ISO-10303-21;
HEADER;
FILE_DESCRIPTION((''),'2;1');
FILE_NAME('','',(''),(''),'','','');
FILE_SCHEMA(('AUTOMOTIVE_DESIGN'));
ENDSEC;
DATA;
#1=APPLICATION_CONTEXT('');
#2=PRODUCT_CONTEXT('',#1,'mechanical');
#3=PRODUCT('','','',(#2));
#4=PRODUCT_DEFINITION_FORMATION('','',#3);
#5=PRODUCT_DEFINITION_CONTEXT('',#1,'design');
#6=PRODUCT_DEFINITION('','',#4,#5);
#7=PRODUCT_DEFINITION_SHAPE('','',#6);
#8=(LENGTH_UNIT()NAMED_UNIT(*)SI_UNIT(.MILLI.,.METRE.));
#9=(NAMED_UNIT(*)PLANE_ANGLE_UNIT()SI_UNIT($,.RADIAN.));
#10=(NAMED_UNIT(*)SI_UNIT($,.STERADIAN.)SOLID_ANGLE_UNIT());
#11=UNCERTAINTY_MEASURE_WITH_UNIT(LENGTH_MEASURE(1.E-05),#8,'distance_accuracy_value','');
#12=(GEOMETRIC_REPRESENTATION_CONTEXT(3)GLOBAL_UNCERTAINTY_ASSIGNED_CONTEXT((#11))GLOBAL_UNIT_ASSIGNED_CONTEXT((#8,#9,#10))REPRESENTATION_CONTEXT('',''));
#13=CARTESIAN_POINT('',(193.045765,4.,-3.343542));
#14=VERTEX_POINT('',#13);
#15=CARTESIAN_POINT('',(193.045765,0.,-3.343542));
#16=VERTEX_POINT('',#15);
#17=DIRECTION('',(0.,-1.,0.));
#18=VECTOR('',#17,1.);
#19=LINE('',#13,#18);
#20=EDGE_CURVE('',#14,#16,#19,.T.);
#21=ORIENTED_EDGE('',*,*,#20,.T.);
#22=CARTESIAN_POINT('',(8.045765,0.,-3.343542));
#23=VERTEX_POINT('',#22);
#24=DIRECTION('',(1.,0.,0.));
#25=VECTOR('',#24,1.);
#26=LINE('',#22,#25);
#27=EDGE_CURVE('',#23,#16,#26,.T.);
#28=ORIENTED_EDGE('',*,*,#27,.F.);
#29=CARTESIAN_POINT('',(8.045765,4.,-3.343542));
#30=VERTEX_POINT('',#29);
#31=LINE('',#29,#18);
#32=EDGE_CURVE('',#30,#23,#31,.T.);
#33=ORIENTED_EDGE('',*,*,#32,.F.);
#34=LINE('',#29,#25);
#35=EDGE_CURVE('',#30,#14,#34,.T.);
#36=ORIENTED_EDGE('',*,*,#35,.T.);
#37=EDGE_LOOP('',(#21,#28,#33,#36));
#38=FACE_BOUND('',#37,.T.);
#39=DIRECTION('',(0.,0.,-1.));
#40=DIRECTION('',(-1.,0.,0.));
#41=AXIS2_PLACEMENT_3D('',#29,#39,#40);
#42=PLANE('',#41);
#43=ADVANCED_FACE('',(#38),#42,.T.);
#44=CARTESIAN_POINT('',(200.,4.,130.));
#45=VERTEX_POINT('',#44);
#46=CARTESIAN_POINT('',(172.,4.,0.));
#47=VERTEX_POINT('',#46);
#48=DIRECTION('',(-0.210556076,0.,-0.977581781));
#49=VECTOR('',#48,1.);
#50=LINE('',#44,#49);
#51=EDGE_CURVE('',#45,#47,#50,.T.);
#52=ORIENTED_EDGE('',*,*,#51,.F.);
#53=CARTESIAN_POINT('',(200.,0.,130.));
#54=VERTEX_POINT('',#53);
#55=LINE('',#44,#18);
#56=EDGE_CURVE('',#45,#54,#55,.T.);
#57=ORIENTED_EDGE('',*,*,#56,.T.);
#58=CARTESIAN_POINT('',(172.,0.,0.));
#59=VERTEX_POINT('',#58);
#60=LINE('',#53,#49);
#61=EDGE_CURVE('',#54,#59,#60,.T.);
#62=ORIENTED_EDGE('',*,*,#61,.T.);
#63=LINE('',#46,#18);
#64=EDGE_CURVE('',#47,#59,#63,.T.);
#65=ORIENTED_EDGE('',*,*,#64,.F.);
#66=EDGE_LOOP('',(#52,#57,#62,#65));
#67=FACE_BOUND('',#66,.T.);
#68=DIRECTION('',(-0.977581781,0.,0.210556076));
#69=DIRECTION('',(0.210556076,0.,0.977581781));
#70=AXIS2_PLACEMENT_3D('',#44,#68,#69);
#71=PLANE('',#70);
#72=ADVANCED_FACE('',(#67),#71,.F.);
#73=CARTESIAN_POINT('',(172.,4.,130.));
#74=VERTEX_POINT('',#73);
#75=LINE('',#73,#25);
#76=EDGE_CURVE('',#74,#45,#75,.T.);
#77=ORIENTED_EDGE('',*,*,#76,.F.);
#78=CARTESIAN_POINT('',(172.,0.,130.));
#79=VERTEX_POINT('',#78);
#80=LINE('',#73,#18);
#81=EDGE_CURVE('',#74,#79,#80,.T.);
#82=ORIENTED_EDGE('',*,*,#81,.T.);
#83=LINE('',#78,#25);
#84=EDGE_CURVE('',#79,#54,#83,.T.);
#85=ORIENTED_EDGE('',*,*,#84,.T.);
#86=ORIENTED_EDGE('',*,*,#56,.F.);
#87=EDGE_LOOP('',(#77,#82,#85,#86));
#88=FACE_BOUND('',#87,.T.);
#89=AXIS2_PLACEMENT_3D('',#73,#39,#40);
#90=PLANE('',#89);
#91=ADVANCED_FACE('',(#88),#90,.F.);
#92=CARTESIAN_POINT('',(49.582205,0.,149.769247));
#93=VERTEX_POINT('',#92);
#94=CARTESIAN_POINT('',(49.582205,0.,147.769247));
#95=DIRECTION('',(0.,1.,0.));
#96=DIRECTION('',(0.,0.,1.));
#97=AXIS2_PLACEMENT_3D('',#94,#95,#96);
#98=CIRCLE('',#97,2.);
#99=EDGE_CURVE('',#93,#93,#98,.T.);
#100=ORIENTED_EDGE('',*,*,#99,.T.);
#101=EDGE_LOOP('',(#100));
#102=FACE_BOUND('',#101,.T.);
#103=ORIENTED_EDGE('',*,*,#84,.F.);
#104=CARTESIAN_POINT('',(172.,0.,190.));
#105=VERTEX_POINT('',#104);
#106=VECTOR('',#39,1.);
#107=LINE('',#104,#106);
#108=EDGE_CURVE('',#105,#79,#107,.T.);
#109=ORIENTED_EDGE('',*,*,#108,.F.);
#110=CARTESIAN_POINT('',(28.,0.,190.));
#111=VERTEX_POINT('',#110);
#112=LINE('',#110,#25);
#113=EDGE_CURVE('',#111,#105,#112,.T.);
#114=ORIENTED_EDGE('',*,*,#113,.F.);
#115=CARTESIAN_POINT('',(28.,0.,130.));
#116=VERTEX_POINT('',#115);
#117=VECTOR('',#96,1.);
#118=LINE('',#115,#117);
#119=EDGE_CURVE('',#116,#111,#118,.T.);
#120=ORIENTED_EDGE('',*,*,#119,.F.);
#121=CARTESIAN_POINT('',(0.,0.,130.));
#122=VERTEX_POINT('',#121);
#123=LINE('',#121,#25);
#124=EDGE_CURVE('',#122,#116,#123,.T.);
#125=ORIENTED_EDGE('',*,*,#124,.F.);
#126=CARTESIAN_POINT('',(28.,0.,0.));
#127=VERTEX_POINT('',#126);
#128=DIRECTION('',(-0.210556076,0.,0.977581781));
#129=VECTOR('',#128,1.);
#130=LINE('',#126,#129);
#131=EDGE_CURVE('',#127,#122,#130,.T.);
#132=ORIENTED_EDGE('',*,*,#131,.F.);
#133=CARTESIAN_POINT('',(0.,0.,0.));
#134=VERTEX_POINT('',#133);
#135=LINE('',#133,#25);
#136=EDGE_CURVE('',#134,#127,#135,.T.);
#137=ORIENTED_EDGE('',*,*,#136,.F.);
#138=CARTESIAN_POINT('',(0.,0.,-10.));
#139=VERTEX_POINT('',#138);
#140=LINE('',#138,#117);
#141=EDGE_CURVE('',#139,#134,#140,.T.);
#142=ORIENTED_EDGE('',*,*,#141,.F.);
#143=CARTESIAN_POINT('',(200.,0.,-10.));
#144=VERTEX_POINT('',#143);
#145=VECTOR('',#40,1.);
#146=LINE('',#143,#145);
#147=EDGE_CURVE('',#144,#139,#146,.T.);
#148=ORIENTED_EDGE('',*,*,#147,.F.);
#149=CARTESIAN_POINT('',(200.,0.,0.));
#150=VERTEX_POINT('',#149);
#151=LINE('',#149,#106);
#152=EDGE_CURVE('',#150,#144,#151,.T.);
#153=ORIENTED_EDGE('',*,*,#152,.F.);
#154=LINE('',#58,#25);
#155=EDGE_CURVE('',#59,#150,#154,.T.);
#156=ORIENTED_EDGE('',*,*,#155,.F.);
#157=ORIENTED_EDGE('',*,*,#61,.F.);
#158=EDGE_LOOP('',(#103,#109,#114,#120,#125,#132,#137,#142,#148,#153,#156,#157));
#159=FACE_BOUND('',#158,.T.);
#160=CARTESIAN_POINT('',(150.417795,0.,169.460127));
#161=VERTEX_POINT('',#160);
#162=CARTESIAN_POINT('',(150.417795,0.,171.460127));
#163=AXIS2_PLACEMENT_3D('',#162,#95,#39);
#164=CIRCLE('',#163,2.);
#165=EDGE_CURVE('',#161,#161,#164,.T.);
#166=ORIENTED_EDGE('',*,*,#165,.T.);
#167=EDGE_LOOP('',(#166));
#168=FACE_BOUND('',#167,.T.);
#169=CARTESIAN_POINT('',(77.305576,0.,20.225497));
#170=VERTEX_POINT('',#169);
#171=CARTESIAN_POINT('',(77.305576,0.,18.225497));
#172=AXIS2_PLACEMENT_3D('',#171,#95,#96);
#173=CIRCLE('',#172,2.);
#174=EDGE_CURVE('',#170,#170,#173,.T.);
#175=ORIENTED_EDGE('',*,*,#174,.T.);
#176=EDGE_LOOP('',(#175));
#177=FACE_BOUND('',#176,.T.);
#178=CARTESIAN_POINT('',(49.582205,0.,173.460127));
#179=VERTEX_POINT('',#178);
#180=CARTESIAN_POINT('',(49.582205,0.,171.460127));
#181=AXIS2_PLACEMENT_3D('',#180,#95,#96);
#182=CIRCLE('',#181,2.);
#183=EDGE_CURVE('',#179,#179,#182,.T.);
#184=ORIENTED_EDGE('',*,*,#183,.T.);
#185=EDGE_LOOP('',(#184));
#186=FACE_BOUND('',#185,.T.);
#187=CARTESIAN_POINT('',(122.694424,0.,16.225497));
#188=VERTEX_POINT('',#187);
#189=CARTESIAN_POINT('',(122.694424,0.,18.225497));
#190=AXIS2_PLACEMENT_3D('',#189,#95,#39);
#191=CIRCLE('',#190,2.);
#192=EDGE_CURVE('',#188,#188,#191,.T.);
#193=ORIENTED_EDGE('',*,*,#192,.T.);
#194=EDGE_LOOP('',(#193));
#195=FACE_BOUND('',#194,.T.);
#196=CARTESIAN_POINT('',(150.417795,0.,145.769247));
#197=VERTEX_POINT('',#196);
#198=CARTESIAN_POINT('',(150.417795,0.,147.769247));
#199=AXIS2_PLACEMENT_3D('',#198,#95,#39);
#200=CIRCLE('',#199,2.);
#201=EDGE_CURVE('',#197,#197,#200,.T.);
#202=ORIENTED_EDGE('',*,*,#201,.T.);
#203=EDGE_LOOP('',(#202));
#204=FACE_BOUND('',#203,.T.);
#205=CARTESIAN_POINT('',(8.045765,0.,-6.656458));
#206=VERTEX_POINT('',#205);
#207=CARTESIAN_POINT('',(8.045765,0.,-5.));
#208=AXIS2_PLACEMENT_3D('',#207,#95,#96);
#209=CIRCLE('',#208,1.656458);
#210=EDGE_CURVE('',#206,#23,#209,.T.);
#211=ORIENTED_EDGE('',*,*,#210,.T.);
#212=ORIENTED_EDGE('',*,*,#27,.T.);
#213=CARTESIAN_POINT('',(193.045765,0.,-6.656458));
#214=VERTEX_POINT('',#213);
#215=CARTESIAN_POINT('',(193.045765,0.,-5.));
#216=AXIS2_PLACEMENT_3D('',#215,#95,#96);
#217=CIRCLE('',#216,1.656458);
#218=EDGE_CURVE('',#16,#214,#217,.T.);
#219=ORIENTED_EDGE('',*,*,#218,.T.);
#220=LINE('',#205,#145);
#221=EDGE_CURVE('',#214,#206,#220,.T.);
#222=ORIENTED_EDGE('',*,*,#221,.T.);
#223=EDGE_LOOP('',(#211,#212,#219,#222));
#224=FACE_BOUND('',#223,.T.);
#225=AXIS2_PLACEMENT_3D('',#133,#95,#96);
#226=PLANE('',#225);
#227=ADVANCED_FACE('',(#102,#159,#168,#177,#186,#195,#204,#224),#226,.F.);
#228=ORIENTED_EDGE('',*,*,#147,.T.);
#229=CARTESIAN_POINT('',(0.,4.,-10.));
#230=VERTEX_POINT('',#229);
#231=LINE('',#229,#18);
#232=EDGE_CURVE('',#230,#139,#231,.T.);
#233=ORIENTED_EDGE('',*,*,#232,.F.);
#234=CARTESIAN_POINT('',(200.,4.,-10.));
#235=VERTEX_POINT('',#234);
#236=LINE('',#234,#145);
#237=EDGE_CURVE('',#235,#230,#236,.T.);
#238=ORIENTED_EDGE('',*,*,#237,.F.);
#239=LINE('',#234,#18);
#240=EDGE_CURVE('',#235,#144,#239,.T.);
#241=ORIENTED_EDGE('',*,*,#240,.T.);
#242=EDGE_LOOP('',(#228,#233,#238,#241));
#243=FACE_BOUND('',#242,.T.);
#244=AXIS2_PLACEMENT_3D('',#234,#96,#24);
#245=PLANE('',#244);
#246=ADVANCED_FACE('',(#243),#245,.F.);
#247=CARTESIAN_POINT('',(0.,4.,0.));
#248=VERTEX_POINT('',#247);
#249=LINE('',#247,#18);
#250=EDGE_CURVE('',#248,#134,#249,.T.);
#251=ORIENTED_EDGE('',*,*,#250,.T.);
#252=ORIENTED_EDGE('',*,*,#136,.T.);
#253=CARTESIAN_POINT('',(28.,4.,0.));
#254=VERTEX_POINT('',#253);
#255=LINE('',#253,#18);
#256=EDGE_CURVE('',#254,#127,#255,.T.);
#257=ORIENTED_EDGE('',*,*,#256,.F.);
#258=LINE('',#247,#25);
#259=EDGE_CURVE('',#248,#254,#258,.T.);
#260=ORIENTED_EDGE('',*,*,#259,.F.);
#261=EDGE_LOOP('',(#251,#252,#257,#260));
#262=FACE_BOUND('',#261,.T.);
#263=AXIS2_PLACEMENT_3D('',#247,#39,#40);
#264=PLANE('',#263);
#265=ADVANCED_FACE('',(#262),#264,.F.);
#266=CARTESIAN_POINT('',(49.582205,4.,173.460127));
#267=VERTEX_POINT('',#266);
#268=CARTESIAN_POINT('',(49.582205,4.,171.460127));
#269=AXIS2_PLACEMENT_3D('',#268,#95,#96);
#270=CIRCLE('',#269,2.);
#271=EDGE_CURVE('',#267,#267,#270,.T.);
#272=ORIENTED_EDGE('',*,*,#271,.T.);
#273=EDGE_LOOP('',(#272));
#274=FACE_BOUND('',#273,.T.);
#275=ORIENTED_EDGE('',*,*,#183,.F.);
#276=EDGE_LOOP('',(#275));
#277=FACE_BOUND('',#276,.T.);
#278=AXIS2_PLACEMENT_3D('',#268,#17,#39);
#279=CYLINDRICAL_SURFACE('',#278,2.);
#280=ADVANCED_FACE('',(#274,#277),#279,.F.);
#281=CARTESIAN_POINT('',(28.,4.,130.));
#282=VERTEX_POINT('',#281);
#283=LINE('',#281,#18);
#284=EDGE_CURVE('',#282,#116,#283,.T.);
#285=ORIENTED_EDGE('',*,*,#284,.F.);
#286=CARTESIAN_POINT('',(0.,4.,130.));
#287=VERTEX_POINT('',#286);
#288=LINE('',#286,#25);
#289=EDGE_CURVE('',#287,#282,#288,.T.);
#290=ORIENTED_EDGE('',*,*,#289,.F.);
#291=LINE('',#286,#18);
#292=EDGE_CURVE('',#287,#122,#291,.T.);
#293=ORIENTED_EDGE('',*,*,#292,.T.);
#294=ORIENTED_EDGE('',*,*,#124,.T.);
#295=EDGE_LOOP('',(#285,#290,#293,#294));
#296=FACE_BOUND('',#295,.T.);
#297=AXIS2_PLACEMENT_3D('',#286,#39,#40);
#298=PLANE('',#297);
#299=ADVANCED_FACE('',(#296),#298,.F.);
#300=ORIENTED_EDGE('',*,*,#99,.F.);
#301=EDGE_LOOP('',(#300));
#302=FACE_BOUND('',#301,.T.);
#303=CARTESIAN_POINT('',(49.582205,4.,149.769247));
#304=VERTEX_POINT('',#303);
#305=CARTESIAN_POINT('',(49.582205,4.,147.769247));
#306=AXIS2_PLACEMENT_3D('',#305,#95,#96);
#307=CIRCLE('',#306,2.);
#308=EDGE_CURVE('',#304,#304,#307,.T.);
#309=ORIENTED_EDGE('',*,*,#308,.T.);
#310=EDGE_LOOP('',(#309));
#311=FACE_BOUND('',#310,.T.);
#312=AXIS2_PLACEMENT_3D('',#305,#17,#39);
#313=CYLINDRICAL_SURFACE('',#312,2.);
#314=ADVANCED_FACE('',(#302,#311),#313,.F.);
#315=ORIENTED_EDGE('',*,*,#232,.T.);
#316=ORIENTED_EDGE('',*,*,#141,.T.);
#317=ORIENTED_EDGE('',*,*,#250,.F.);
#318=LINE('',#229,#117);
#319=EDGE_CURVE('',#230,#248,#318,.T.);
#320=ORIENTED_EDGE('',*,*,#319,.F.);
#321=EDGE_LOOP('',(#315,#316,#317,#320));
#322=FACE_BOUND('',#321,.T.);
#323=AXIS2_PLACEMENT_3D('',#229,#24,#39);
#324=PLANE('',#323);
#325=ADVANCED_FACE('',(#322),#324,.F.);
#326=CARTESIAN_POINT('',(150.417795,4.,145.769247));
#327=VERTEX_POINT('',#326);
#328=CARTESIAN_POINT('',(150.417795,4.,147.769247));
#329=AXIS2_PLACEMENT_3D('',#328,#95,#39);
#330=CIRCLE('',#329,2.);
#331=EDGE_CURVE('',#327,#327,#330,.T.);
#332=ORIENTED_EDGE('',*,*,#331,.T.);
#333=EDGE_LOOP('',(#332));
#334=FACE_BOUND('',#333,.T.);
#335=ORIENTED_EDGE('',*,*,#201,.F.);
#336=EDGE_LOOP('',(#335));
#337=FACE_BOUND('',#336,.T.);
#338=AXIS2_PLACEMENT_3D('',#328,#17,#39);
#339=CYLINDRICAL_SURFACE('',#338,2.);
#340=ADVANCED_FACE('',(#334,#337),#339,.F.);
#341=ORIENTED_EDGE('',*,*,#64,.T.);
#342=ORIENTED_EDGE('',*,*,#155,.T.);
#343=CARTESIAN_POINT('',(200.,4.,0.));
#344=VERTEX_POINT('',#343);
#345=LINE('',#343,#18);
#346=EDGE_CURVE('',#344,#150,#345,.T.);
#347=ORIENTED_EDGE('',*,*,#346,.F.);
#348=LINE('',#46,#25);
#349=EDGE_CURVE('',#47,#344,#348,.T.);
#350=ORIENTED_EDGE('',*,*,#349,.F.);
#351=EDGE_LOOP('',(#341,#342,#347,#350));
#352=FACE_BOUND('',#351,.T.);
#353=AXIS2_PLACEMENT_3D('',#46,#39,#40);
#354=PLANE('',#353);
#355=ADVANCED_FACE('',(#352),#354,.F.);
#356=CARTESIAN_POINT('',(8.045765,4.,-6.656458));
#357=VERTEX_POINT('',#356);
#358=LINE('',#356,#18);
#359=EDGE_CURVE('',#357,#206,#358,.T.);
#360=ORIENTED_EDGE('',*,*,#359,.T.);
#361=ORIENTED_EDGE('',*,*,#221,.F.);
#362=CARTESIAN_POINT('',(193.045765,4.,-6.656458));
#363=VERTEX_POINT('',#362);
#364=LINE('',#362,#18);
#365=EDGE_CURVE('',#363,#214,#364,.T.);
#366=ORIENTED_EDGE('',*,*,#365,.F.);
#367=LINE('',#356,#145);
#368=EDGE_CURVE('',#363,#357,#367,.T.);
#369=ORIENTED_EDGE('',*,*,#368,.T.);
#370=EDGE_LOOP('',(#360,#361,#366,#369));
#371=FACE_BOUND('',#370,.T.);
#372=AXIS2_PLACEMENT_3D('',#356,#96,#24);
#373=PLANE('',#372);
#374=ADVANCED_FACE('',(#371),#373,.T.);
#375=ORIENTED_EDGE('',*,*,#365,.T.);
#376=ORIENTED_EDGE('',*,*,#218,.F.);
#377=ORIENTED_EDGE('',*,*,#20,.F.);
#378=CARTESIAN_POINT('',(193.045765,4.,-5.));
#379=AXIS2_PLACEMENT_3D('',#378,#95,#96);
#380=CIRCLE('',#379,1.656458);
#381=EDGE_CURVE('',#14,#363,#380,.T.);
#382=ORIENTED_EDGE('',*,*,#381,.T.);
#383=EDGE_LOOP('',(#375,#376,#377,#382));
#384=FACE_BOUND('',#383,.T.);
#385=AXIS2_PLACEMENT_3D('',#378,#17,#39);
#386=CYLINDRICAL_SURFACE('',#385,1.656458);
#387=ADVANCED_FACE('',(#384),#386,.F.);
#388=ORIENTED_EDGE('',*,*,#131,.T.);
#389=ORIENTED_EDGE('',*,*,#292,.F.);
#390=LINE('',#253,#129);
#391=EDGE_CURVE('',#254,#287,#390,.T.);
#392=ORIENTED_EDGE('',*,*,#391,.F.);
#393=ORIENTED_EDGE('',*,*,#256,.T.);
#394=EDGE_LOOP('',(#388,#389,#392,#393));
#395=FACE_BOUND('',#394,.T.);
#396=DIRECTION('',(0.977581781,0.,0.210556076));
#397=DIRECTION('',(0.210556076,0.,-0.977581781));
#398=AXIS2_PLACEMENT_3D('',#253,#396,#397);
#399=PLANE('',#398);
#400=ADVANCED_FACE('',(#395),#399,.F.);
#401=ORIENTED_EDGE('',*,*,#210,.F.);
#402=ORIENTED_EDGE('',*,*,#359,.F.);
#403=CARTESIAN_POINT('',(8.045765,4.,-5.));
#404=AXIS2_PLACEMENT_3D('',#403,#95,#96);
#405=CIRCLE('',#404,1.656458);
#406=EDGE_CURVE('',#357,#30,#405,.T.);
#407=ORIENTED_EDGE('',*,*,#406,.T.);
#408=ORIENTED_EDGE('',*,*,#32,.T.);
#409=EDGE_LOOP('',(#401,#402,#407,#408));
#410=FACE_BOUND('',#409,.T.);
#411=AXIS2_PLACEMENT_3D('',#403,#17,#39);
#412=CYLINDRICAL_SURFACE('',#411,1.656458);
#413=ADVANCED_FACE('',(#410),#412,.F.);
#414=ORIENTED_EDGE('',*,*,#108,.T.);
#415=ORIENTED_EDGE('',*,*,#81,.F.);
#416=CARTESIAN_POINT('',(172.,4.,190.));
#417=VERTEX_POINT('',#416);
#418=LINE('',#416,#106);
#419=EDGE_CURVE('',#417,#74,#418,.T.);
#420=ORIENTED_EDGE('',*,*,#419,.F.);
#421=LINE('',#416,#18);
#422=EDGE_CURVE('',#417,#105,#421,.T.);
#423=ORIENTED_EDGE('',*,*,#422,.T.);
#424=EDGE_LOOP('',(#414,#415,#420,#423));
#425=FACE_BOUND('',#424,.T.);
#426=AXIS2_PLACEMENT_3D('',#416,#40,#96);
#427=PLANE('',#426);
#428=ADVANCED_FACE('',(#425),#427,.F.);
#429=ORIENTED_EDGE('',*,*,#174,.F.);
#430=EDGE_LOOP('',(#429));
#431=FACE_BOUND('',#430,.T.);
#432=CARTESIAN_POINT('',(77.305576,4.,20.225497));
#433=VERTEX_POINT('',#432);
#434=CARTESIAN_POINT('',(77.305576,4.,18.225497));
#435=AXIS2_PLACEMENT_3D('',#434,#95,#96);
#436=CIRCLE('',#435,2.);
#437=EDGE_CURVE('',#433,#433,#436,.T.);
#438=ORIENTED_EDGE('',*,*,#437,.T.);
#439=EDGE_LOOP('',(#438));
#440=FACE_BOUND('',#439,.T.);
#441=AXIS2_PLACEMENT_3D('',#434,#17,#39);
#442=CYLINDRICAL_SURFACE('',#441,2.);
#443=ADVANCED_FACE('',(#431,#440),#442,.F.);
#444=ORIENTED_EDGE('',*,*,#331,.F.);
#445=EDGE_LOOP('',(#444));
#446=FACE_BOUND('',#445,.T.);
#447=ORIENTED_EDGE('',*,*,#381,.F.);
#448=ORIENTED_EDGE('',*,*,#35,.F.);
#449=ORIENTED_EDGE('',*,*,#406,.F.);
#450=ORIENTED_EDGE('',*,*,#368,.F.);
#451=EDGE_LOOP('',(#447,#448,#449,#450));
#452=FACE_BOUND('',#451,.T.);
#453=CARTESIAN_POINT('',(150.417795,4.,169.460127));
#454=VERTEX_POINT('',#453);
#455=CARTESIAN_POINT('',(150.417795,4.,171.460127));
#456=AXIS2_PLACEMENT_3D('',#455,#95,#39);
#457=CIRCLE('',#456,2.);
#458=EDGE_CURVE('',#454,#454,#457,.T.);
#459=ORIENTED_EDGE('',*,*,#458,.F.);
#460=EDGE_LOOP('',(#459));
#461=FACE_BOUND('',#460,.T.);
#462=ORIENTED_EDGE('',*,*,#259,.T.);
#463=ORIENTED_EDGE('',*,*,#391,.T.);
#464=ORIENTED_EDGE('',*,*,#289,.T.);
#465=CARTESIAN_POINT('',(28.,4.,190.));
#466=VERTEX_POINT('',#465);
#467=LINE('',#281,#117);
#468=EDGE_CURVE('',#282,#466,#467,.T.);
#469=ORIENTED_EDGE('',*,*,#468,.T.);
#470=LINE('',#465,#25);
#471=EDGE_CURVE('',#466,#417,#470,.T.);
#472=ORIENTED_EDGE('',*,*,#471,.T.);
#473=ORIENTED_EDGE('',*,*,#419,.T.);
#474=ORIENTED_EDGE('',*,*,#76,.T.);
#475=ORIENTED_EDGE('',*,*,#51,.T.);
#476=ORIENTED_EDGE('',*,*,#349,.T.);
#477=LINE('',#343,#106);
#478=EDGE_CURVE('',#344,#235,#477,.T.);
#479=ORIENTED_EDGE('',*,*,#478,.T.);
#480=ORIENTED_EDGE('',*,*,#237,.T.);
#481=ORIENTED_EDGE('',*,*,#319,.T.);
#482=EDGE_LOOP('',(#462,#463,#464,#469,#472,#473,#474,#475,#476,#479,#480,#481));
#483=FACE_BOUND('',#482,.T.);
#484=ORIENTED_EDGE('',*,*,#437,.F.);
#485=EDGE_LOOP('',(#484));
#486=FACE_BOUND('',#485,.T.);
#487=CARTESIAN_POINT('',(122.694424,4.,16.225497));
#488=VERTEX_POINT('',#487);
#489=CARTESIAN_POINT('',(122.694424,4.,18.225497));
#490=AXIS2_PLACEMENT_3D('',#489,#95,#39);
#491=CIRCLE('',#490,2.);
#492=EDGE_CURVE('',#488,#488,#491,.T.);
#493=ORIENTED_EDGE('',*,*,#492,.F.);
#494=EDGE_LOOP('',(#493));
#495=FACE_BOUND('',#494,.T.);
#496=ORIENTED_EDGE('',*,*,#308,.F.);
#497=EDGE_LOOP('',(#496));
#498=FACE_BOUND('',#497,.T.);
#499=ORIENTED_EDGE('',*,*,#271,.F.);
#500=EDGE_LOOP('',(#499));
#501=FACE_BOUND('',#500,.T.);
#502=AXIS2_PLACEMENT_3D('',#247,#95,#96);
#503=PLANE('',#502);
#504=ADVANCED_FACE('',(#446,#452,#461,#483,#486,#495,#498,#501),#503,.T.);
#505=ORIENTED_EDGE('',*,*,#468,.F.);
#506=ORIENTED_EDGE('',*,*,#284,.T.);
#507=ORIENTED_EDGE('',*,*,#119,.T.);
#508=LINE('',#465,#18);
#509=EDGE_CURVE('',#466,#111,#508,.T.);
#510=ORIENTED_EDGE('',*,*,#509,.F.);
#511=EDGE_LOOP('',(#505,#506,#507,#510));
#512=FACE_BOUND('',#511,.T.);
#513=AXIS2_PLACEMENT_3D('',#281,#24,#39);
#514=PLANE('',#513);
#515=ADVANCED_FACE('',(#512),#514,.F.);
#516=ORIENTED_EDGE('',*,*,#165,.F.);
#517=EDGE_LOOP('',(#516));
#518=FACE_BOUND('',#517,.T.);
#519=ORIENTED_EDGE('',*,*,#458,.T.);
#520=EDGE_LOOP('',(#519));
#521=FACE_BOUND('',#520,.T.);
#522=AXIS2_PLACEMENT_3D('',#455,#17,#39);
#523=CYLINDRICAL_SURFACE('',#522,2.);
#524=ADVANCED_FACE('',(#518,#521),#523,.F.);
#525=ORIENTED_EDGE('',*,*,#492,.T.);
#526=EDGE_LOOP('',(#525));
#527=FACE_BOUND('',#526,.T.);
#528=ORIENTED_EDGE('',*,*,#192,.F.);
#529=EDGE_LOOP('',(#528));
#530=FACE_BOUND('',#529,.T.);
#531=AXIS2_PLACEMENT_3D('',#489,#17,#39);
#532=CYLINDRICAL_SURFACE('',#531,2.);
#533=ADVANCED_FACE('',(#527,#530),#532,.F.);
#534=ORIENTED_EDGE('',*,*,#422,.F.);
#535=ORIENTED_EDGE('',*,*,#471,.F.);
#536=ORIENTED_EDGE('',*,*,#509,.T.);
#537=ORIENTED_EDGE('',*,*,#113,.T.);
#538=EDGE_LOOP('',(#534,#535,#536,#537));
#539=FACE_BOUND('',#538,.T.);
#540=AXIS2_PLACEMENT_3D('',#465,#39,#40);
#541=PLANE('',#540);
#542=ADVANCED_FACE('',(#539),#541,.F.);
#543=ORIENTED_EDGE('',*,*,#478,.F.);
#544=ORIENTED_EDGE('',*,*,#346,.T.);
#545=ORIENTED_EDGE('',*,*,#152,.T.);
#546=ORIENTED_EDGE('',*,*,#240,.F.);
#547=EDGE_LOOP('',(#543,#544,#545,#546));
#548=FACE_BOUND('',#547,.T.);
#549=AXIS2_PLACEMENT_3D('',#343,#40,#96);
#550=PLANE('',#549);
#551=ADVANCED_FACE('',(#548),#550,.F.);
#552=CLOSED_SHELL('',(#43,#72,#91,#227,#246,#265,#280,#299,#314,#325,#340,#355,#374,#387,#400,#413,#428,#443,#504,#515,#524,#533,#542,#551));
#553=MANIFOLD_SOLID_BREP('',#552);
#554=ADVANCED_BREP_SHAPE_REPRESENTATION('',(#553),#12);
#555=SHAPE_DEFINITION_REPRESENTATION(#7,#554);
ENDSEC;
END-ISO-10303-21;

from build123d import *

# Parameters (mm, degrees)
ESQUISSE1_R        = 2
BOSS_EXTRU_1_DEPTH = 4


with BuildPart() as part:
    # Esquisse1 → Boss.-Extru.1 (new body)
    with BuildSketch(Plane(origin=(0, 0, 0), x_dir=(1, 0, 0), z_dir=(0, 1, 0))):
        Polygon((0, 0), (28, 0), (0, -130), (28, -130), (28, -190), (172, -190), (172, -130), (200, -130), (172, 0), (200, 0), (200, 10), (0, 10), align=None)
        with Locations(Location((49.582205252, -147.769246608, 0), (0, 0, 270))):
            Circle(ESQUISSE1_R, mode=Mode.SUBTRACT)
        with Locations(Location((49.582205252, -171.460126827, 0), (0, 0, 270))):
            Circle(ESQUISSE1_R, mode=Mode.SUBTRACT)
        with Locations(Location((77.305575721, -18.22549733, 0), (0, 0, 270))):
            Circle(ESQUISSE1_R, mode=Mode.SUBTRACT)
        with Locations(Location((150.417794748, -171.460126827, 0), (0, 0, 90))):
            Circle(ESQUISSE1_R, mode=Mode.SUBTRACT)
        with Locations(Location((150.417794748, -147.769246608, 0), (0, 0, 90))):
            Circle(ESQUISSE1_R, mode=Mode.SUBTRACT)
        with Locations(Location((122.694424279, -18.22549733, 0), (0, 0, 90))):
            Circle(ESQUISSE1_R, mode=Mode.SUBTRACT)
        with BuildLine():
            Line((8.045765112, 6.656458485), (193.045765112, 6.656458485))
            ThreePointArc((193.045765112, 6.656458485), (194.702223597, 5), (193.045765112, 3.343541515))
            Line((193.045765112, 3.343541515), (8.045765112, 3.343541515))
            ThreePointArc((8.045765112, 3.343541515), (6.389306627, 5), (8.045765112, 6.656458485))
        make_face(mode=Mode.SUBTRACT)
    extrude(amount=BOSS_EXTRU_1_DEPTH)


solid = part.part
